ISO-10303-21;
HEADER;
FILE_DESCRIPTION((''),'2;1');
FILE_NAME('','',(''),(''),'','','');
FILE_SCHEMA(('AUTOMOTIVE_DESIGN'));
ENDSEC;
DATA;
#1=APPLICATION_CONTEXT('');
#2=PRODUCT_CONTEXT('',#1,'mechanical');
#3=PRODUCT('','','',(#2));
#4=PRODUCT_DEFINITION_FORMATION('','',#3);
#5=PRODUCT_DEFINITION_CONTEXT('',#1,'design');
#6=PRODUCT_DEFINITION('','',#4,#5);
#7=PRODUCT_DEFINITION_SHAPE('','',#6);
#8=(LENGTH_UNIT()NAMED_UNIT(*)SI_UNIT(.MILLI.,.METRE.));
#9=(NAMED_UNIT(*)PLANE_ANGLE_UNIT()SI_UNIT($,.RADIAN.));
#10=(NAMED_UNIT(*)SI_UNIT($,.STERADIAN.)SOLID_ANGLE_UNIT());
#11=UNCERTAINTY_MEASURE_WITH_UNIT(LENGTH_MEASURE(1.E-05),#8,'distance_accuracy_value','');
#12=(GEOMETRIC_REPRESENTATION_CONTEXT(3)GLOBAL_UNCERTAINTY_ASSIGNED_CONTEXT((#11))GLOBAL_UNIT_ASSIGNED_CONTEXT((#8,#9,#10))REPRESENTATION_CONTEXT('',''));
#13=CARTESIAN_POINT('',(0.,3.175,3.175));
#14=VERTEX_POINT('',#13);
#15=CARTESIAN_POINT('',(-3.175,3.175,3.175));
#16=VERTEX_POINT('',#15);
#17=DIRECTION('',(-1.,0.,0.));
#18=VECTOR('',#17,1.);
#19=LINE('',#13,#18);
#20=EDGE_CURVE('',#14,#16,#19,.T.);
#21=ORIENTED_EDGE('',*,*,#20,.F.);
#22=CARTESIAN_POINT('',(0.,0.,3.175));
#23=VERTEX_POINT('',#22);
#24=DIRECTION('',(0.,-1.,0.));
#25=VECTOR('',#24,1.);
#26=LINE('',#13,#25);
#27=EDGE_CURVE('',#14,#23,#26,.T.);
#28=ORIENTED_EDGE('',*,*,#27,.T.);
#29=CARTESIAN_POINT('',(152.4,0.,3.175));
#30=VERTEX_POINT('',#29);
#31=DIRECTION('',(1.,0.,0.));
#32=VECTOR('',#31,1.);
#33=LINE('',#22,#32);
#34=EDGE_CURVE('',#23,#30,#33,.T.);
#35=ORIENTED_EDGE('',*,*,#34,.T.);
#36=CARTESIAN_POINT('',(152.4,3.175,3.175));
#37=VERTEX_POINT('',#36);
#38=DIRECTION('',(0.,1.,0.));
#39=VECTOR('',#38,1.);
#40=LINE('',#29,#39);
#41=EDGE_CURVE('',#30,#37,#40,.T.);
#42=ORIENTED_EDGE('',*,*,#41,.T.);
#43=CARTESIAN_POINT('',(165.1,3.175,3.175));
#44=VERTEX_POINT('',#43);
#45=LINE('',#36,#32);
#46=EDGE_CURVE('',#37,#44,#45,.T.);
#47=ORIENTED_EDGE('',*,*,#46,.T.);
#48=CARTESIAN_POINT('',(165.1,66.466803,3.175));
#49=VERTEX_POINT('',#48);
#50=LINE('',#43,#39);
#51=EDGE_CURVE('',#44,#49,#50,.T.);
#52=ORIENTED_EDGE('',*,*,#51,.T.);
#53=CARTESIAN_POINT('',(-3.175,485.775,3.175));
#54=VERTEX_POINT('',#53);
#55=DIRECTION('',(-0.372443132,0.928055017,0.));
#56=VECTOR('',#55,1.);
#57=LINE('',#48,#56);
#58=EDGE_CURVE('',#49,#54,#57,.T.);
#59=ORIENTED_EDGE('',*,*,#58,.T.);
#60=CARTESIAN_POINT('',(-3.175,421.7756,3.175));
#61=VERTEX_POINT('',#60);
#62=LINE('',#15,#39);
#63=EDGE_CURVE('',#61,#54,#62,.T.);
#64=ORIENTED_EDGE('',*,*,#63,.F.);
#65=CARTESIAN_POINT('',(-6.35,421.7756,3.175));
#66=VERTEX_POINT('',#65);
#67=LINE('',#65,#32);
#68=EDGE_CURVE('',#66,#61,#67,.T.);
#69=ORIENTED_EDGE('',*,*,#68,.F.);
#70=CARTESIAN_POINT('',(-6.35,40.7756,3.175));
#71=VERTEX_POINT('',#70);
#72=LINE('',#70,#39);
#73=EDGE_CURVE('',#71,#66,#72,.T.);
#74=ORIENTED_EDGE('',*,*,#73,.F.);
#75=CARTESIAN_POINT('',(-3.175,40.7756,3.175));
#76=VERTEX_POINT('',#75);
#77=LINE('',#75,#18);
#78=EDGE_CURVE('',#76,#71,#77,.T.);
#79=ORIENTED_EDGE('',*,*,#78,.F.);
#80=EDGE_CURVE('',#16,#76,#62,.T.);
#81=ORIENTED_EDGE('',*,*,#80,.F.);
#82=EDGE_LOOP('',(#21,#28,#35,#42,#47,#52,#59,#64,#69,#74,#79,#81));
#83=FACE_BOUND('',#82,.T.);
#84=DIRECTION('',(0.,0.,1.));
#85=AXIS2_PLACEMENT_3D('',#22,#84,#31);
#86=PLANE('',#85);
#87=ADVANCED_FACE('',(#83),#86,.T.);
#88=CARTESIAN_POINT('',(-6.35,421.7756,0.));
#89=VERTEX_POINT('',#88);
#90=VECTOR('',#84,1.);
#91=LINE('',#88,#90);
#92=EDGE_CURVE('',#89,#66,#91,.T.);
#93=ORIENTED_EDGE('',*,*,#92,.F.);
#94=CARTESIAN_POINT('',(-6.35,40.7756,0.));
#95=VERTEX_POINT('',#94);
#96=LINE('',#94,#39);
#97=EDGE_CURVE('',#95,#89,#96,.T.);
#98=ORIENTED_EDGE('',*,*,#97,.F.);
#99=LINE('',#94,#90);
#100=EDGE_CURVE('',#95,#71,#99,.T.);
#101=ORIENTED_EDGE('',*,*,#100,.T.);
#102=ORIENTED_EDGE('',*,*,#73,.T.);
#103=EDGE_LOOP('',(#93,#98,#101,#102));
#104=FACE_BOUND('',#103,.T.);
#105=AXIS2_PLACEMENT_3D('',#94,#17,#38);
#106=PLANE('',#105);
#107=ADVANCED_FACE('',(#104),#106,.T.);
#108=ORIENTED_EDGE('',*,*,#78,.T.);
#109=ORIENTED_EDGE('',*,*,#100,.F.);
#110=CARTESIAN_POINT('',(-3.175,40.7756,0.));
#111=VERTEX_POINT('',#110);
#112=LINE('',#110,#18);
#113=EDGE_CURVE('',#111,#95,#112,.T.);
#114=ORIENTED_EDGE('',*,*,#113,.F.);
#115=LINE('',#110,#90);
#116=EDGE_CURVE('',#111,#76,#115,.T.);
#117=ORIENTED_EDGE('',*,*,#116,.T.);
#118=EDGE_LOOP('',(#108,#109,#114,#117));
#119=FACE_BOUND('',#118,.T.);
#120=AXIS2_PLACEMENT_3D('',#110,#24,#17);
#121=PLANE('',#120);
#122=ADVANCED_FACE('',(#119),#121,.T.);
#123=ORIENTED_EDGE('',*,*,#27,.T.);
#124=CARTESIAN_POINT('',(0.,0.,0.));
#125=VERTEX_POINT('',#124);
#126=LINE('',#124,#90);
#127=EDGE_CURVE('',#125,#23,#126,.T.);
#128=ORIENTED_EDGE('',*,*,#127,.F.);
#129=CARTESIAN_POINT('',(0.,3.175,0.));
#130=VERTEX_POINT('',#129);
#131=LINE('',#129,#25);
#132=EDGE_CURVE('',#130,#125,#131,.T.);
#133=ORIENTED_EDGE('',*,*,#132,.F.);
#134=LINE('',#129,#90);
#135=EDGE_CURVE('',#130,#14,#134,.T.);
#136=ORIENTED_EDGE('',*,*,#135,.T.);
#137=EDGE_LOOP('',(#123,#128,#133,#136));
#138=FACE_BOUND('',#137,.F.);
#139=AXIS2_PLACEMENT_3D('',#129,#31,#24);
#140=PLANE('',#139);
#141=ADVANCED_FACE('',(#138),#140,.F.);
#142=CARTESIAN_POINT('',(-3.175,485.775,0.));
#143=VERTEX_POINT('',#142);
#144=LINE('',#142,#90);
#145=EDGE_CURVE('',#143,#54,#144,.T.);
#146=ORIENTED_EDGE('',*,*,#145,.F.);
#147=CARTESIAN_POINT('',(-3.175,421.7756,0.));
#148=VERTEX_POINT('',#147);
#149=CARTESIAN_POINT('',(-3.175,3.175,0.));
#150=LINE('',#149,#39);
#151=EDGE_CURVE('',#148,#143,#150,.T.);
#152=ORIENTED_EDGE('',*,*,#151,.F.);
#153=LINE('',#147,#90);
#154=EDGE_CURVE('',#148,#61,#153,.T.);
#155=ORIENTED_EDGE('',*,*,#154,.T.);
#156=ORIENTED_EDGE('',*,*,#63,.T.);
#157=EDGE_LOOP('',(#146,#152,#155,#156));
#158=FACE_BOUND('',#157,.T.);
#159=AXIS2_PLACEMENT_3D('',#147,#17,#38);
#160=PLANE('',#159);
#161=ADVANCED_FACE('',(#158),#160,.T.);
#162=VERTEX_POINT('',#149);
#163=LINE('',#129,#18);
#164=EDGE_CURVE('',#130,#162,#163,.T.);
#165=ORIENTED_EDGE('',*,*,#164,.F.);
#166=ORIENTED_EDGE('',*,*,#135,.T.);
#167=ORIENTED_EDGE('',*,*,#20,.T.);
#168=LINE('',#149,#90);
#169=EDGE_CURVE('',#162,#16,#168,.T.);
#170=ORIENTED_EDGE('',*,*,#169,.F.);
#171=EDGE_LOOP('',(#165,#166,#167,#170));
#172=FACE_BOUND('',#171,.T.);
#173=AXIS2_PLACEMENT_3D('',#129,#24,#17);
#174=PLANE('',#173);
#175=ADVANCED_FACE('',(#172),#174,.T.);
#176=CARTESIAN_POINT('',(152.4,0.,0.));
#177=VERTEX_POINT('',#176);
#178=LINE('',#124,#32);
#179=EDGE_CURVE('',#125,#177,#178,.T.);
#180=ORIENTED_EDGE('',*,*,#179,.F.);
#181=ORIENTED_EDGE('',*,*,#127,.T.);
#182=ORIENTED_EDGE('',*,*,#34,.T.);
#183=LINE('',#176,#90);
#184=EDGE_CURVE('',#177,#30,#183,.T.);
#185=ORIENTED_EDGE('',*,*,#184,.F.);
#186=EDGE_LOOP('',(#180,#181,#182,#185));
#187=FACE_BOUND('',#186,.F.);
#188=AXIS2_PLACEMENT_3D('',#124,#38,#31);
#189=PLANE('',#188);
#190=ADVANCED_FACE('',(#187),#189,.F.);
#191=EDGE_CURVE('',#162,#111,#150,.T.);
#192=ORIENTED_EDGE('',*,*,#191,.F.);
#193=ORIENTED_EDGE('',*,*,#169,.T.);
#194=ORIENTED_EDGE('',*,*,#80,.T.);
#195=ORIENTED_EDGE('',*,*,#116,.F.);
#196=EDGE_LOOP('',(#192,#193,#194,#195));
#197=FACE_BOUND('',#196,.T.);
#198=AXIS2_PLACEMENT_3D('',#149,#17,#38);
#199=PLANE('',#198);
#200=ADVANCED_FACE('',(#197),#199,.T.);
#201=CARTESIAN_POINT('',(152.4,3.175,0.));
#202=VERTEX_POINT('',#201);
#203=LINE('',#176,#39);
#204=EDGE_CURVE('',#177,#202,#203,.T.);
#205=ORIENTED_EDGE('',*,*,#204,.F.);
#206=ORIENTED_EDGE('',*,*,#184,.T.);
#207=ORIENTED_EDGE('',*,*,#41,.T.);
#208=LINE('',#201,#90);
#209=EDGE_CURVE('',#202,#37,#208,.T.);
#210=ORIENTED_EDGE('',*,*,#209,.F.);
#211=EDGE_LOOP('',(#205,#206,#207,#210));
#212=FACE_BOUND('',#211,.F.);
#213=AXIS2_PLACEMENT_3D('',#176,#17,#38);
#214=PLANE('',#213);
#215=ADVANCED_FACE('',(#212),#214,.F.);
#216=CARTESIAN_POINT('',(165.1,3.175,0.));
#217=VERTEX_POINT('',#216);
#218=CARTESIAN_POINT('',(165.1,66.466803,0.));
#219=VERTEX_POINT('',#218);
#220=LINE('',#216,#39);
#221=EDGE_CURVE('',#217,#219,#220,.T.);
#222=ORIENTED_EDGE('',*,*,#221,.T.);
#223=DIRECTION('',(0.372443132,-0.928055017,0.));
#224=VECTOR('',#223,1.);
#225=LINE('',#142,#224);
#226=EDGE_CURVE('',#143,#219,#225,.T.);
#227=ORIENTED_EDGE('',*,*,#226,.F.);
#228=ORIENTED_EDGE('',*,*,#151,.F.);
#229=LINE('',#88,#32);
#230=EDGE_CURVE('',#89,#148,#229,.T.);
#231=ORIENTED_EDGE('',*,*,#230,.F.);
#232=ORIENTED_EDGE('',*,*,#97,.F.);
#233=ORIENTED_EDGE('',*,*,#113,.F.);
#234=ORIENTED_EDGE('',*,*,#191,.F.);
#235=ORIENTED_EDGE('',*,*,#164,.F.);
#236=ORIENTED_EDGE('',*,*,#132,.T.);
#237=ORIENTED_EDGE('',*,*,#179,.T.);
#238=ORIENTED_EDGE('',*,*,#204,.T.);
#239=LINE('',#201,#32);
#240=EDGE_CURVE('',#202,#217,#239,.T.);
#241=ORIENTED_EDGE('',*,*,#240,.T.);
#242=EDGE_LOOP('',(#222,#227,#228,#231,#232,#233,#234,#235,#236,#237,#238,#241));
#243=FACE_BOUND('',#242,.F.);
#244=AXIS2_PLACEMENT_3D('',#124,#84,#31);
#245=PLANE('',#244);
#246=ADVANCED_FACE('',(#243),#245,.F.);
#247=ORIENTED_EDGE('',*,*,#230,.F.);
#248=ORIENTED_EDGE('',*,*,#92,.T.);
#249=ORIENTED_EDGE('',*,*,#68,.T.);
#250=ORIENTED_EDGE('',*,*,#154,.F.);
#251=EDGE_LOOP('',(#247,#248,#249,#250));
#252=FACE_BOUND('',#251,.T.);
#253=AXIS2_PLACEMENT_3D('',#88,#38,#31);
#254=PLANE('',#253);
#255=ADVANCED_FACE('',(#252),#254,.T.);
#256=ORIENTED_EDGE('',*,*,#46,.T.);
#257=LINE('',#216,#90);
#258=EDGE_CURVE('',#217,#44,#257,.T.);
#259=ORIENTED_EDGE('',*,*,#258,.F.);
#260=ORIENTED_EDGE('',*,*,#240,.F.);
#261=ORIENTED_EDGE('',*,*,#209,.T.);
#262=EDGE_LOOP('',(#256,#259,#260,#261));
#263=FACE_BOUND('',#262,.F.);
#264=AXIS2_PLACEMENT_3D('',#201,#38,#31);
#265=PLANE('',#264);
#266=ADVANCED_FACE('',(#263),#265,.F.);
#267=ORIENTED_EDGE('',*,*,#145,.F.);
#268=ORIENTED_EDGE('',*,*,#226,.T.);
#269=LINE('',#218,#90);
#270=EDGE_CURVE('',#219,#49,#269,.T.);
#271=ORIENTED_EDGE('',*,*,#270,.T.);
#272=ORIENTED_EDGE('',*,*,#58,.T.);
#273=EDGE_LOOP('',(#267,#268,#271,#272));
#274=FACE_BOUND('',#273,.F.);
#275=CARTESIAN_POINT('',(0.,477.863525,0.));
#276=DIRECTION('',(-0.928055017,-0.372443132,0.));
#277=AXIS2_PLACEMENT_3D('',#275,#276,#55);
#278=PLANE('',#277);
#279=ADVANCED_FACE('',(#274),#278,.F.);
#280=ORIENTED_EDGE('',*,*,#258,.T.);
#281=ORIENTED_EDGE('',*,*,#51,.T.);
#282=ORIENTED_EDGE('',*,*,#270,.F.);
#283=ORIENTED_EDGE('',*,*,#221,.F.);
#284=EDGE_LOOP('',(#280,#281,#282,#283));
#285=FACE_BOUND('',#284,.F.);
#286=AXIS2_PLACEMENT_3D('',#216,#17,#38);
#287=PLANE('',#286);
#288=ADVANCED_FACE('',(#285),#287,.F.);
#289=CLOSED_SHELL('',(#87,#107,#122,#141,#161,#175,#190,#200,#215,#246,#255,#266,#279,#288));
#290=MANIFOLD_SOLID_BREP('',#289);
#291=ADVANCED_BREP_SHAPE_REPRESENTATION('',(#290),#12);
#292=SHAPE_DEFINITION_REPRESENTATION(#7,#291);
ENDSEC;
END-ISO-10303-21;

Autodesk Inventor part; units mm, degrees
ref_plane "YZ Plane" through (0, 0, 0) normal (1, 0, 0) x (0, 1, 0)
ref_plane "XZ Plane" through (0, 0, 0) normal (0, 1, 0) x (-1, 0, 0)
ref_plane "XY Plane" through (0, 0, 0) normal (0, 0, 1) x (1, 0, 0)
sketch "Sketch1" plane through (0, 0, 0) normal (0, 0, 1) x (1, 0, 0)
  line L0 (0, 0) -> (152.4, 0)
  line L1 (152.4, 0) -> (152.4, 3.175)
  line L2 (152.4, 3.175) -> (0, 3.175)
  line L3 (0, 3.175) -> (0, 0)
  line L4 (0, 3.175) -> (11.1125, 3.175)
  line L5 (152.4, 3.175) -> (190.5, 3.175)
  line L6 (0, 3.175) -> (11.1125, 3.175)
  line L7 (0, 3.175) -> (-3.175, 3.175)
  line L8 (-3.175, 3.175) -> (-3.175, 485.775)
  line L9 (-3.175, 485.775) -> (0, 485.775)
  line L10 (0, 485.775) -> (0, 3.175)
  line L11 (-3.175, 40.7756) -> (-6.35, 40.7756)
  line L12 (-6.35, 40.7756) -> (-6.35, 421.7756)
  line L13 (-6.35, 421.7756) -> (-3.175, 421.7756)
  line L14 (-3.175, 421.7756) -> (-3.175, 40.7756)
  line L15 (190.5, 3.175) -> (-3.175, 485.775)
  line L16 (165.1, 3.175) -> (165.1, 66.675)
  line L17 (165.1, 3.175) -> (228.6, 3.175) construction
  point P0 (5.5563, 3.175)
  point P1 (-1.5875, 3.175)
  point P2 (-4.7625, 40.7756)
  point P3 (-3.175, 421.7756)
  point P4 (165.1, 66.4668)
  dimension "d0" = 152.4
  dimension "d1" = 3.175
  dimension "d7" = 38.1
  dimension "d15" = 3.175
  dimension "d16" = 482.6
  dimension "d17" = 3.175
  dimension "d18" = 381
  dimension "d19" = 37.6006
  dimension "d20" = 63.5
  dimension "d21" = 90
  dimension "d22" = 25.4
extrude "Extrusion1" add sketch "Sketch1" along normal blind 3.175 contours L3 L2 L1 L0 | L10 L15 L16 L5 L2 | L7 L8 L15 L10 | L11 L12 L13 L8
properties part number "side support"
